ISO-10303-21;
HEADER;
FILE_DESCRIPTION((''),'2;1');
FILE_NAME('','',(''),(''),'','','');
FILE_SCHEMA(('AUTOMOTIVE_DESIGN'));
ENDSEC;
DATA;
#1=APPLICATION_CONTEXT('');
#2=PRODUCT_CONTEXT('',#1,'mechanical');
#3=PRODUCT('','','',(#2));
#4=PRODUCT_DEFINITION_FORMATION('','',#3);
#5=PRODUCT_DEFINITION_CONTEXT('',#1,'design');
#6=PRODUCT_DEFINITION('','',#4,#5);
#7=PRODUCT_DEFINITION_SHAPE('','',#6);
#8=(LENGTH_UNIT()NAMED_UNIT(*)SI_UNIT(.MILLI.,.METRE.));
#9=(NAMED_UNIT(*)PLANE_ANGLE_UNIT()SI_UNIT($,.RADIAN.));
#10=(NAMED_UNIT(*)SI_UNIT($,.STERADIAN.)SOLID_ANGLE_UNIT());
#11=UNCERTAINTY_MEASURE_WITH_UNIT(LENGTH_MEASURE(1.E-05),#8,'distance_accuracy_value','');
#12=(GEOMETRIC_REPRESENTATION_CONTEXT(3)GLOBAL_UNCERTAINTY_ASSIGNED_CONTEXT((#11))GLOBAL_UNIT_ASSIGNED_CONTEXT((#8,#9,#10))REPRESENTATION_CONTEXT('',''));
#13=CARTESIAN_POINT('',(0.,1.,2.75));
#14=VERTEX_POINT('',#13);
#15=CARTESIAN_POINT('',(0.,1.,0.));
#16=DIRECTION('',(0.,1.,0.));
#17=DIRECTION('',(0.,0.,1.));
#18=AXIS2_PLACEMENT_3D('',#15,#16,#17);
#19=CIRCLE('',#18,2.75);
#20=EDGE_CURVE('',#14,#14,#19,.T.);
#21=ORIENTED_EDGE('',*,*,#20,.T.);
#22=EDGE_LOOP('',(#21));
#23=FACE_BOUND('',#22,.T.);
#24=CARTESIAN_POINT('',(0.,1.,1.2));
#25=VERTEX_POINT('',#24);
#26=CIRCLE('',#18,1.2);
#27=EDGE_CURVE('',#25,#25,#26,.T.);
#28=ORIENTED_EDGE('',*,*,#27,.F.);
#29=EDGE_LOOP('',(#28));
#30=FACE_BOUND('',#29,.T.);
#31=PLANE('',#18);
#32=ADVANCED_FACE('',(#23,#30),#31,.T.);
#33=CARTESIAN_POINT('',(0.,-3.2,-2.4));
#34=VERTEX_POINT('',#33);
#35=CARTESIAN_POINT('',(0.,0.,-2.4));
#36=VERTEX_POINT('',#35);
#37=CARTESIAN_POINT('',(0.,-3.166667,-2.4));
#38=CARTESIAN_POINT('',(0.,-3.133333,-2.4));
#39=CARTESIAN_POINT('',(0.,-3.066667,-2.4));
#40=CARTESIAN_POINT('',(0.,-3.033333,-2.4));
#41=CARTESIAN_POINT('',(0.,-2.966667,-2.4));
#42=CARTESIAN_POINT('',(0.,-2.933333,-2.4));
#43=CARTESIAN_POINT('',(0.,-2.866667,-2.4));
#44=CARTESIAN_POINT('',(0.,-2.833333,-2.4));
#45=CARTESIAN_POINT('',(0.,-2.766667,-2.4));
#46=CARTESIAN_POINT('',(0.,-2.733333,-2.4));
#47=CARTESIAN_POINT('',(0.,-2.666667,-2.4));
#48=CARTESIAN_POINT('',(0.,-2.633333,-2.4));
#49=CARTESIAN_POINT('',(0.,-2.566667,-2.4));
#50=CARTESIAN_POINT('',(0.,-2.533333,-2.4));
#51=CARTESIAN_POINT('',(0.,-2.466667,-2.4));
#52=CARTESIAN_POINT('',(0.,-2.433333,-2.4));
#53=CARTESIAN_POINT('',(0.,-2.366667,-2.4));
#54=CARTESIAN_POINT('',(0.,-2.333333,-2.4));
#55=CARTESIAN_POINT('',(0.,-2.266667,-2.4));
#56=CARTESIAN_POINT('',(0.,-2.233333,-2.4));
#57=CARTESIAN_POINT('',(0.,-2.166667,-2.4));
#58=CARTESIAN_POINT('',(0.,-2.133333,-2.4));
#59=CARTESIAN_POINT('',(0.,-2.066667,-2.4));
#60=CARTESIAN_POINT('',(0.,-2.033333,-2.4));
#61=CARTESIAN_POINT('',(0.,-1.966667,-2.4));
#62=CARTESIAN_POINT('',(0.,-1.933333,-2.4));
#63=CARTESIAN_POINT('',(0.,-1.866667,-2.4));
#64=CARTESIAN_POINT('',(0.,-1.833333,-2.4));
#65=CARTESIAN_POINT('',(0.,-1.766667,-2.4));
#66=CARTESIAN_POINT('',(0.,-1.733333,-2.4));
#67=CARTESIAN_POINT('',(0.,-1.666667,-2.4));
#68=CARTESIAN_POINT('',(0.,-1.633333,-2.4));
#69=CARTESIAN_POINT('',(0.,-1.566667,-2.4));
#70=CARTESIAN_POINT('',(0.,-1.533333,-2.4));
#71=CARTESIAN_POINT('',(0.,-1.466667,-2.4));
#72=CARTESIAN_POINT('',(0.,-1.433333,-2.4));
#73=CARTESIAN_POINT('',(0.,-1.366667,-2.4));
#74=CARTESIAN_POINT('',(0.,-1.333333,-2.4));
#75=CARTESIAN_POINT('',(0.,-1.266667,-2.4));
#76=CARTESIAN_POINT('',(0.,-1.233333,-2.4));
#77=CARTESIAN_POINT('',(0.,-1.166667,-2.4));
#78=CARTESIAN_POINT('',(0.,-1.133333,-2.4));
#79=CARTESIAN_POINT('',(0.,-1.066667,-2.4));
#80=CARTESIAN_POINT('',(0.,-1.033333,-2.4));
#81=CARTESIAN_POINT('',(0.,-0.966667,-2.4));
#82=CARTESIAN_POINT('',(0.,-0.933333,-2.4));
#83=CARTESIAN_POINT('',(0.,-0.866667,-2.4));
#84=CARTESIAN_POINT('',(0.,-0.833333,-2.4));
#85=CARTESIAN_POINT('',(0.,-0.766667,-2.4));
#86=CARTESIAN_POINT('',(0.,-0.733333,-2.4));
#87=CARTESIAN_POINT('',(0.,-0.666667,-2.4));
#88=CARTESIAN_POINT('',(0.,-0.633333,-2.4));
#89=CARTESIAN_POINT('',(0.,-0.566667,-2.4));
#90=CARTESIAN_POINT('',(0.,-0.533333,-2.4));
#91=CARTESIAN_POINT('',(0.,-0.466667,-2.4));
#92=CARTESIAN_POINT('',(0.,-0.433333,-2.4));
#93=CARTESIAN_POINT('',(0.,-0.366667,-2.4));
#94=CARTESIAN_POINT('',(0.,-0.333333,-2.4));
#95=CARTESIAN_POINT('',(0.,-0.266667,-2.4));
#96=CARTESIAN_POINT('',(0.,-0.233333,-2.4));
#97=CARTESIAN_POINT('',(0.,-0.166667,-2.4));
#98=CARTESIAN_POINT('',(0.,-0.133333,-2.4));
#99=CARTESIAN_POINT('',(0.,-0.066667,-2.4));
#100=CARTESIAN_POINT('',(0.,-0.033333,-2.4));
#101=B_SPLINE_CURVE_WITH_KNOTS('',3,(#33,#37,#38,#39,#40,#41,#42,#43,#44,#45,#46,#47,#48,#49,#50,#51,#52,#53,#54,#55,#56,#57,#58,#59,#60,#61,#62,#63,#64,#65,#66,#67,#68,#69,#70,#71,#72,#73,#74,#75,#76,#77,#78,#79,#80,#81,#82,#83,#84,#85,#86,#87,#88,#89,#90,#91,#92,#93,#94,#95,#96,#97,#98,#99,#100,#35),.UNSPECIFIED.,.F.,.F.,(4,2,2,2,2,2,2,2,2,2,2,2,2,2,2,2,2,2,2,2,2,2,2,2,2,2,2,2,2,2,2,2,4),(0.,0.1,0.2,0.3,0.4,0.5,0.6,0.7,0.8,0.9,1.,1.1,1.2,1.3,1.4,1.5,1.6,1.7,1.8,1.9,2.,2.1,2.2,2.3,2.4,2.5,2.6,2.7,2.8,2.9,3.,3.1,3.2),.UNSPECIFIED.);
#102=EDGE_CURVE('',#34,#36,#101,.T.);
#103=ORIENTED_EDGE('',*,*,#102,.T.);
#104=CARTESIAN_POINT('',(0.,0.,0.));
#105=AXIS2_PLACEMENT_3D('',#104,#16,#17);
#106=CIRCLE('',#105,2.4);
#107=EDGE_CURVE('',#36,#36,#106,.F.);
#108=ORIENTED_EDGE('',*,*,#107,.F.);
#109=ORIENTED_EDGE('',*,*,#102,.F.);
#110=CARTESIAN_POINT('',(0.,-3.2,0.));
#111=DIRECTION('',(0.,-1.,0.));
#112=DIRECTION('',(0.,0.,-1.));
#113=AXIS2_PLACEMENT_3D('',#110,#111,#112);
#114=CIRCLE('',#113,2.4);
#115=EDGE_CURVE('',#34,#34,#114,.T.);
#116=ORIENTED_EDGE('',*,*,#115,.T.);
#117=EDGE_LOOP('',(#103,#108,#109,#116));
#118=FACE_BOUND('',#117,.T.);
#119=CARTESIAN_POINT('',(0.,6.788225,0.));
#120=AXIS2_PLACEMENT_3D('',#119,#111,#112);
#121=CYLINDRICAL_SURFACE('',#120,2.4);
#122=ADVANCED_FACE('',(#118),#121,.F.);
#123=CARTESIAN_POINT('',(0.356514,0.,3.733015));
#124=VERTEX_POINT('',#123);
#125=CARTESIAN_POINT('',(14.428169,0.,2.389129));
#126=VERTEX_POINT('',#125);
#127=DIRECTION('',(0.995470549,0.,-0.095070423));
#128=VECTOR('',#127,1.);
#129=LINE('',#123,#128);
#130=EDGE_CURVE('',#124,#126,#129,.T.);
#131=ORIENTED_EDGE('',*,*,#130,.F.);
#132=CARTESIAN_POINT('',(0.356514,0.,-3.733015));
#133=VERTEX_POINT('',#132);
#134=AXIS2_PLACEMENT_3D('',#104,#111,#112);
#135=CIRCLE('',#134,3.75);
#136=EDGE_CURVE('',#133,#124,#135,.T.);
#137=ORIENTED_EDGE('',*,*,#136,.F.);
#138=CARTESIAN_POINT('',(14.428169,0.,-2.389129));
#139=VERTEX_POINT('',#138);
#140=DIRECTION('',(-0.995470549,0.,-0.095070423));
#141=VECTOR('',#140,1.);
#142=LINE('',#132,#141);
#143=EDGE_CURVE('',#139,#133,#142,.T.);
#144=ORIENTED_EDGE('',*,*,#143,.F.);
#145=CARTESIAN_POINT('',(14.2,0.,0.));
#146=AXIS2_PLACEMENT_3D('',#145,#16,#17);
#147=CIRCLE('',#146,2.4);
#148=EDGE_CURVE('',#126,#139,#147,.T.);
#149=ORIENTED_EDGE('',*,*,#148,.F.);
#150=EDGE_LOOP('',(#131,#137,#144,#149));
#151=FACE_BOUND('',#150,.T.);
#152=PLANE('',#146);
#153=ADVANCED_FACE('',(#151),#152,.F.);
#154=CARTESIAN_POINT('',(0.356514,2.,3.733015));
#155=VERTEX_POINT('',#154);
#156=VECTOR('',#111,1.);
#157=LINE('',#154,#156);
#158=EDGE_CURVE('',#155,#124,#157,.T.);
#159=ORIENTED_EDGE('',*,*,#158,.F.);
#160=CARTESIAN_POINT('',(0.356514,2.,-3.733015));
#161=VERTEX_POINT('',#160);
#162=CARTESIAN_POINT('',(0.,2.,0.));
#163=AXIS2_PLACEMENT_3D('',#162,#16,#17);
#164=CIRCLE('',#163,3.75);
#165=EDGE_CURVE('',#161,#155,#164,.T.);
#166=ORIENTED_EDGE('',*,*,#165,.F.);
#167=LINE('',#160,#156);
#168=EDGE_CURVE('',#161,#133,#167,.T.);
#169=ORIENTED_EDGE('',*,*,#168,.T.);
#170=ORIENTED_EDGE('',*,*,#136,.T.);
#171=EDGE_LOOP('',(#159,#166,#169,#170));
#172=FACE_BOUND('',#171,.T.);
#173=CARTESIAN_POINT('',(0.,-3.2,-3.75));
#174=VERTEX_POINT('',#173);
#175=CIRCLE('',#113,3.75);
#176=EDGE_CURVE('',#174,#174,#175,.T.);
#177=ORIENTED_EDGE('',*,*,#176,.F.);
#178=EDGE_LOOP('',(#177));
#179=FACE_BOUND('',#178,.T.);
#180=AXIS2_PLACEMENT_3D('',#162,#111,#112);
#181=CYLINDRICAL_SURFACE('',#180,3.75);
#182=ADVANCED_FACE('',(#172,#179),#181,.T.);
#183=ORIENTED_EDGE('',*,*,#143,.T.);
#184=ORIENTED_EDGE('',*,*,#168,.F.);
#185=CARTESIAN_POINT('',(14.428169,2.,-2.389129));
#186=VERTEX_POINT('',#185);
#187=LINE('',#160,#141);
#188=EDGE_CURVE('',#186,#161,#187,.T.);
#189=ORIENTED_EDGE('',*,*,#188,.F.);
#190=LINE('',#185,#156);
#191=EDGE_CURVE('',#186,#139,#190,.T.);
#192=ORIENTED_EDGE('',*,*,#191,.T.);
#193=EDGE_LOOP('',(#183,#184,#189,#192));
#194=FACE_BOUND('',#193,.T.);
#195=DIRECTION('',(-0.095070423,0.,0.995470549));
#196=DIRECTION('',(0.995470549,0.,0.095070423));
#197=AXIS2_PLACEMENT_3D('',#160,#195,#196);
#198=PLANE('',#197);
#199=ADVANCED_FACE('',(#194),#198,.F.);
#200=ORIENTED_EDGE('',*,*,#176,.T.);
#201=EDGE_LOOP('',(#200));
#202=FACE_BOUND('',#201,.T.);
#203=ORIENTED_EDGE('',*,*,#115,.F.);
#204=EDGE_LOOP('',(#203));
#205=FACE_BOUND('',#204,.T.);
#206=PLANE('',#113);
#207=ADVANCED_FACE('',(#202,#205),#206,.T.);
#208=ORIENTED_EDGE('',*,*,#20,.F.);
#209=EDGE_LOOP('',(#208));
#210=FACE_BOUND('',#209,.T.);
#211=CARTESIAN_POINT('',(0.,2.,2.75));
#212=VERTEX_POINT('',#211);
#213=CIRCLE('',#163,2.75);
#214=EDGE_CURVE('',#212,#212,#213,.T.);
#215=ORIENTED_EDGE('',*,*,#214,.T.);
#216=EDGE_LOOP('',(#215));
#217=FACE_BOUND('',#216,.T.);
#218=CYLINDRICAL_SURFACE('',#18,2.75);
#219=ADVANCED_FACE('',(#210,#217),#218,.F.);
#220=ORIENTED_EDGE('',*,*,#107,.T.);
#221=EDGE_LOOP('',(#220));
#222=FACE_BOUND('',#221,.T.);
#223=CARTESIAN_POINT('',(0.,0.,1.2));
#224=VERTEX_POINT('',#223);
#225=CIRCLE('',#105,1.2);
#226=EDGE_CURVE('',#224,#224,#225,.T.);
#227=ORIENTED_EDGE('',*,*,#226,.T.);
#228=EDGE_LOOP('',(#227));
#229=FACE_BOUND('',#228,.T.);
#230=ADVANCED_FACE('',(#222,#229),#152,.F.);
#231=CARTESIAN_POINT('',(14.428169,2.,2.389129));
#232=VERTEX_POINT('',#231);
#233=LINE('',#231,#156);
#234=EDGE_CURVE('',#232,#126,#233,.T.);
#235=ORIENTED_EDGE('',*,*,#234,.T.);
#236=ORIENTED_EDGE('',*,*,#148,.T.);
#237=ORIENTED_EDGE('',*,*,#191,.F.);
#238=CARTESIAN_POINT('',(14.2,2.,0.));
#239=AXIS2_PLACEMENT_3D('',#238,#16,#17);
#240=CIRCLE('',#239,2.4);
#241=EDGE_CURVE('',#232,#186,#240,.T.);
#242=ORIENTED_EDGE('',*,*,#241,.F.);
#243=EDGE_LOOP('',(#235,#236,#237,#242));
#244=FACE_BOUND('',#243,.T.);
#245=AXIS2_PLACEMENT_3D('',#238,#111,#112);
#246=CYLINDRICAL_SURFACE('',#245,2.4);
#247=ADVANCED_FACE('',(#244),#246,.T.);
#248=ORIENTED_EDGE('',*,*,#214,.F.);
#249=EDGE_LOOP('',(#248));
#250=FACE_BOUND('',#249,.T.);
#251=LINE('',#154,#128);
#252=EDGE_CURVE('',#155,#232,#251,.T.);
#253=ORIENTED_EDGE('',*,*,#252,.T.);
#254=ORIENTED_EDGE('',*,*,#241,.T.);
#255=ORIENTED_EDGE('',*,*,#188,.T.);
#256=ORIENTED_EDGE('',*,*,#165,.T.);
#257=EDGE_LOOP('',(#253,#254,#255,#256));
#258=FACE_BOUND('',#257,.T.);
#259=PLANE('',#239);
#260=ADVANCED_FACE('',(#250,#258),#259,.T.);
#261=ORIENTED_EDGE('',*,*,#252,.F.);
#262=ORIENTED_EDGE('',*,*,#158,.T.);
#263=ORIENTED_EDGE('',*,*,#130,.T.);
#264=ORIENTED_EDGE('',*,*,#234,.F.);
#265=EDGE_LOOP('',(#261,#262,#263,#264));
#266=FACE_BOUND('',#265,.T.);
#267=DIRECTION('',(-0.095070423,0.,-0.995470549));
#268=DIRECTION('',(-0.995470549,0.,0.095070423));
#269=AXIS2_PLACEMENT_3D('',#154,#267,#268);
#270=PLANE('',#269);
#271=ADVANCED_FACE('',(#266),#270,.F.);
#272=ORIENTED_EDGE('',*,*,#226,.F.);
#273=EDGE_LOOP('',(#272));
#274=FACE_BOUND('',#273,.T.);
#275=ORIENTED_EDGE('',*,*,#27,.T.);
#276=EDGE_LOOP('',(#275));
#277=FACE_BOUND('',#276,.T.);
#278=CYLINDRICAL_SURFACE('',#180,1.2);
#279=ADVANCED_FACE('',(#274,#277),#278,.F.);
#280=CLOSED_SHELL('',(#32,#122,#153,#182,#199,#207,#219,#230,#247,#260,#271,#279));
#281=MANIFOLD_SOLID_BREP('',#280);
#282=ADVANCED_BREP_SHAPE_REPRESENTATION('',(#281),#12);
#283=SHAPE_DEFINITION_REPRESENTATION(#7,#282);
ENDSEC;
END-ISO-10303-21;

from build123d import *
from build123d.topology import SkipClean

# Parameters (mm, degrees)
SKETCH1_R           = 1.2
BOSS_EXTRUDE1_DEPTH = 2
BOSS_EXTRUDE2_START = 3.2
SKETCH2_R           = 1.2
BOSS_EXTRUDE2_DEPTH = 3.2
SKETCH3_R           = 2.4
CUT_EXTRUDE3_DEPTH  = 3.2
SKETCH4_R           = 2.75
CUT_EXTRUDE4_DEPTH  = 1


with BuildPart() as part:
    # Sketch1 → Boss-Extrude1 (new body)
    with BuildSketch(Plane(origin=(0, 0, 0), x_dir=(1, 0, 0), z_dir=(0, 1, 0))):
        with BuildLine():
            Line((0.356514085, 3.73301456), (14.428169014, 2.389129319))
            ThreePointArc((14.428169014, 2.389129319), (16.6, 0), (14.428169014, -2.389129319))
            Line((14.428169014, -2.389129319), (0.356514085, -3.73301456))
            ThreePointArc((0.356514085, -3.73301456), (-3.75, 0), (0.356514085, 3.73301456))
        make_face()
        with Locations(Location((0, 0, 0), (0, 0, 270))):
            Circle(SKETCH1_R, mode=Mode.SUBTRACT)
    extrude(amount=BOSS_EXTRUDE1_DEPTH)

    # Sketch2 → Boss-Extrude2 (add)
    with SkipClean():  # the faces are left unmerged after this step: merging them gives an invalid solid
        with BuildSketch(Plane.XZ.offset(BOSS_EXTRUDE2_START)):
            with BuildLine():
                ThreePointArc((3.75, 0), (2.774835835, 2.522456361), (0.356514085, 3.73301456))
                ThreePointArc((0.356514085, 3.73301456), (-3.75, 0), (0.356514085, -3.73301456))
                ThreePointArc((0.356514085, -3.73301456), (2.774835835, -2.522456361), (3.75, 0))
            make_face()
            with Locations(Location((0, 0, 0), (0, 0, 270))):
                Circle(SKETCH2_R, mode=Mode.SUBTRACT)
        extrude(amount=-BOSS_EXTRUDE2_DEPTH)

    # Sketch3 → Cut-Extrude3 (cut)
    with BuildSketch(Plane.XZ.offset(3.2)):
        with Locations(Location((0, 0, 0), (0, 0, 270))):
            Circle(SKETCH3_R)
    extrude(amount=-CUT_EXTRUDE3_DEPTH, mode=Mode.SUBTRACT)

    # Sketch4 → Cut-Extrude4 (cut)
    with BuildSketch(Plane(origin=(0, 2, 0), x_dir=(1, 0, 0), z_dir=(0, 1, 0))):
        with Locations(Location((0, 0, 0), (0, 0, 270))):
            Circle(SKETCH4_R)
    extrude(amount=-CUT_EXTRUDE4_DEPTH, mode=Mode.SUBTRACT)


solid = part.part
